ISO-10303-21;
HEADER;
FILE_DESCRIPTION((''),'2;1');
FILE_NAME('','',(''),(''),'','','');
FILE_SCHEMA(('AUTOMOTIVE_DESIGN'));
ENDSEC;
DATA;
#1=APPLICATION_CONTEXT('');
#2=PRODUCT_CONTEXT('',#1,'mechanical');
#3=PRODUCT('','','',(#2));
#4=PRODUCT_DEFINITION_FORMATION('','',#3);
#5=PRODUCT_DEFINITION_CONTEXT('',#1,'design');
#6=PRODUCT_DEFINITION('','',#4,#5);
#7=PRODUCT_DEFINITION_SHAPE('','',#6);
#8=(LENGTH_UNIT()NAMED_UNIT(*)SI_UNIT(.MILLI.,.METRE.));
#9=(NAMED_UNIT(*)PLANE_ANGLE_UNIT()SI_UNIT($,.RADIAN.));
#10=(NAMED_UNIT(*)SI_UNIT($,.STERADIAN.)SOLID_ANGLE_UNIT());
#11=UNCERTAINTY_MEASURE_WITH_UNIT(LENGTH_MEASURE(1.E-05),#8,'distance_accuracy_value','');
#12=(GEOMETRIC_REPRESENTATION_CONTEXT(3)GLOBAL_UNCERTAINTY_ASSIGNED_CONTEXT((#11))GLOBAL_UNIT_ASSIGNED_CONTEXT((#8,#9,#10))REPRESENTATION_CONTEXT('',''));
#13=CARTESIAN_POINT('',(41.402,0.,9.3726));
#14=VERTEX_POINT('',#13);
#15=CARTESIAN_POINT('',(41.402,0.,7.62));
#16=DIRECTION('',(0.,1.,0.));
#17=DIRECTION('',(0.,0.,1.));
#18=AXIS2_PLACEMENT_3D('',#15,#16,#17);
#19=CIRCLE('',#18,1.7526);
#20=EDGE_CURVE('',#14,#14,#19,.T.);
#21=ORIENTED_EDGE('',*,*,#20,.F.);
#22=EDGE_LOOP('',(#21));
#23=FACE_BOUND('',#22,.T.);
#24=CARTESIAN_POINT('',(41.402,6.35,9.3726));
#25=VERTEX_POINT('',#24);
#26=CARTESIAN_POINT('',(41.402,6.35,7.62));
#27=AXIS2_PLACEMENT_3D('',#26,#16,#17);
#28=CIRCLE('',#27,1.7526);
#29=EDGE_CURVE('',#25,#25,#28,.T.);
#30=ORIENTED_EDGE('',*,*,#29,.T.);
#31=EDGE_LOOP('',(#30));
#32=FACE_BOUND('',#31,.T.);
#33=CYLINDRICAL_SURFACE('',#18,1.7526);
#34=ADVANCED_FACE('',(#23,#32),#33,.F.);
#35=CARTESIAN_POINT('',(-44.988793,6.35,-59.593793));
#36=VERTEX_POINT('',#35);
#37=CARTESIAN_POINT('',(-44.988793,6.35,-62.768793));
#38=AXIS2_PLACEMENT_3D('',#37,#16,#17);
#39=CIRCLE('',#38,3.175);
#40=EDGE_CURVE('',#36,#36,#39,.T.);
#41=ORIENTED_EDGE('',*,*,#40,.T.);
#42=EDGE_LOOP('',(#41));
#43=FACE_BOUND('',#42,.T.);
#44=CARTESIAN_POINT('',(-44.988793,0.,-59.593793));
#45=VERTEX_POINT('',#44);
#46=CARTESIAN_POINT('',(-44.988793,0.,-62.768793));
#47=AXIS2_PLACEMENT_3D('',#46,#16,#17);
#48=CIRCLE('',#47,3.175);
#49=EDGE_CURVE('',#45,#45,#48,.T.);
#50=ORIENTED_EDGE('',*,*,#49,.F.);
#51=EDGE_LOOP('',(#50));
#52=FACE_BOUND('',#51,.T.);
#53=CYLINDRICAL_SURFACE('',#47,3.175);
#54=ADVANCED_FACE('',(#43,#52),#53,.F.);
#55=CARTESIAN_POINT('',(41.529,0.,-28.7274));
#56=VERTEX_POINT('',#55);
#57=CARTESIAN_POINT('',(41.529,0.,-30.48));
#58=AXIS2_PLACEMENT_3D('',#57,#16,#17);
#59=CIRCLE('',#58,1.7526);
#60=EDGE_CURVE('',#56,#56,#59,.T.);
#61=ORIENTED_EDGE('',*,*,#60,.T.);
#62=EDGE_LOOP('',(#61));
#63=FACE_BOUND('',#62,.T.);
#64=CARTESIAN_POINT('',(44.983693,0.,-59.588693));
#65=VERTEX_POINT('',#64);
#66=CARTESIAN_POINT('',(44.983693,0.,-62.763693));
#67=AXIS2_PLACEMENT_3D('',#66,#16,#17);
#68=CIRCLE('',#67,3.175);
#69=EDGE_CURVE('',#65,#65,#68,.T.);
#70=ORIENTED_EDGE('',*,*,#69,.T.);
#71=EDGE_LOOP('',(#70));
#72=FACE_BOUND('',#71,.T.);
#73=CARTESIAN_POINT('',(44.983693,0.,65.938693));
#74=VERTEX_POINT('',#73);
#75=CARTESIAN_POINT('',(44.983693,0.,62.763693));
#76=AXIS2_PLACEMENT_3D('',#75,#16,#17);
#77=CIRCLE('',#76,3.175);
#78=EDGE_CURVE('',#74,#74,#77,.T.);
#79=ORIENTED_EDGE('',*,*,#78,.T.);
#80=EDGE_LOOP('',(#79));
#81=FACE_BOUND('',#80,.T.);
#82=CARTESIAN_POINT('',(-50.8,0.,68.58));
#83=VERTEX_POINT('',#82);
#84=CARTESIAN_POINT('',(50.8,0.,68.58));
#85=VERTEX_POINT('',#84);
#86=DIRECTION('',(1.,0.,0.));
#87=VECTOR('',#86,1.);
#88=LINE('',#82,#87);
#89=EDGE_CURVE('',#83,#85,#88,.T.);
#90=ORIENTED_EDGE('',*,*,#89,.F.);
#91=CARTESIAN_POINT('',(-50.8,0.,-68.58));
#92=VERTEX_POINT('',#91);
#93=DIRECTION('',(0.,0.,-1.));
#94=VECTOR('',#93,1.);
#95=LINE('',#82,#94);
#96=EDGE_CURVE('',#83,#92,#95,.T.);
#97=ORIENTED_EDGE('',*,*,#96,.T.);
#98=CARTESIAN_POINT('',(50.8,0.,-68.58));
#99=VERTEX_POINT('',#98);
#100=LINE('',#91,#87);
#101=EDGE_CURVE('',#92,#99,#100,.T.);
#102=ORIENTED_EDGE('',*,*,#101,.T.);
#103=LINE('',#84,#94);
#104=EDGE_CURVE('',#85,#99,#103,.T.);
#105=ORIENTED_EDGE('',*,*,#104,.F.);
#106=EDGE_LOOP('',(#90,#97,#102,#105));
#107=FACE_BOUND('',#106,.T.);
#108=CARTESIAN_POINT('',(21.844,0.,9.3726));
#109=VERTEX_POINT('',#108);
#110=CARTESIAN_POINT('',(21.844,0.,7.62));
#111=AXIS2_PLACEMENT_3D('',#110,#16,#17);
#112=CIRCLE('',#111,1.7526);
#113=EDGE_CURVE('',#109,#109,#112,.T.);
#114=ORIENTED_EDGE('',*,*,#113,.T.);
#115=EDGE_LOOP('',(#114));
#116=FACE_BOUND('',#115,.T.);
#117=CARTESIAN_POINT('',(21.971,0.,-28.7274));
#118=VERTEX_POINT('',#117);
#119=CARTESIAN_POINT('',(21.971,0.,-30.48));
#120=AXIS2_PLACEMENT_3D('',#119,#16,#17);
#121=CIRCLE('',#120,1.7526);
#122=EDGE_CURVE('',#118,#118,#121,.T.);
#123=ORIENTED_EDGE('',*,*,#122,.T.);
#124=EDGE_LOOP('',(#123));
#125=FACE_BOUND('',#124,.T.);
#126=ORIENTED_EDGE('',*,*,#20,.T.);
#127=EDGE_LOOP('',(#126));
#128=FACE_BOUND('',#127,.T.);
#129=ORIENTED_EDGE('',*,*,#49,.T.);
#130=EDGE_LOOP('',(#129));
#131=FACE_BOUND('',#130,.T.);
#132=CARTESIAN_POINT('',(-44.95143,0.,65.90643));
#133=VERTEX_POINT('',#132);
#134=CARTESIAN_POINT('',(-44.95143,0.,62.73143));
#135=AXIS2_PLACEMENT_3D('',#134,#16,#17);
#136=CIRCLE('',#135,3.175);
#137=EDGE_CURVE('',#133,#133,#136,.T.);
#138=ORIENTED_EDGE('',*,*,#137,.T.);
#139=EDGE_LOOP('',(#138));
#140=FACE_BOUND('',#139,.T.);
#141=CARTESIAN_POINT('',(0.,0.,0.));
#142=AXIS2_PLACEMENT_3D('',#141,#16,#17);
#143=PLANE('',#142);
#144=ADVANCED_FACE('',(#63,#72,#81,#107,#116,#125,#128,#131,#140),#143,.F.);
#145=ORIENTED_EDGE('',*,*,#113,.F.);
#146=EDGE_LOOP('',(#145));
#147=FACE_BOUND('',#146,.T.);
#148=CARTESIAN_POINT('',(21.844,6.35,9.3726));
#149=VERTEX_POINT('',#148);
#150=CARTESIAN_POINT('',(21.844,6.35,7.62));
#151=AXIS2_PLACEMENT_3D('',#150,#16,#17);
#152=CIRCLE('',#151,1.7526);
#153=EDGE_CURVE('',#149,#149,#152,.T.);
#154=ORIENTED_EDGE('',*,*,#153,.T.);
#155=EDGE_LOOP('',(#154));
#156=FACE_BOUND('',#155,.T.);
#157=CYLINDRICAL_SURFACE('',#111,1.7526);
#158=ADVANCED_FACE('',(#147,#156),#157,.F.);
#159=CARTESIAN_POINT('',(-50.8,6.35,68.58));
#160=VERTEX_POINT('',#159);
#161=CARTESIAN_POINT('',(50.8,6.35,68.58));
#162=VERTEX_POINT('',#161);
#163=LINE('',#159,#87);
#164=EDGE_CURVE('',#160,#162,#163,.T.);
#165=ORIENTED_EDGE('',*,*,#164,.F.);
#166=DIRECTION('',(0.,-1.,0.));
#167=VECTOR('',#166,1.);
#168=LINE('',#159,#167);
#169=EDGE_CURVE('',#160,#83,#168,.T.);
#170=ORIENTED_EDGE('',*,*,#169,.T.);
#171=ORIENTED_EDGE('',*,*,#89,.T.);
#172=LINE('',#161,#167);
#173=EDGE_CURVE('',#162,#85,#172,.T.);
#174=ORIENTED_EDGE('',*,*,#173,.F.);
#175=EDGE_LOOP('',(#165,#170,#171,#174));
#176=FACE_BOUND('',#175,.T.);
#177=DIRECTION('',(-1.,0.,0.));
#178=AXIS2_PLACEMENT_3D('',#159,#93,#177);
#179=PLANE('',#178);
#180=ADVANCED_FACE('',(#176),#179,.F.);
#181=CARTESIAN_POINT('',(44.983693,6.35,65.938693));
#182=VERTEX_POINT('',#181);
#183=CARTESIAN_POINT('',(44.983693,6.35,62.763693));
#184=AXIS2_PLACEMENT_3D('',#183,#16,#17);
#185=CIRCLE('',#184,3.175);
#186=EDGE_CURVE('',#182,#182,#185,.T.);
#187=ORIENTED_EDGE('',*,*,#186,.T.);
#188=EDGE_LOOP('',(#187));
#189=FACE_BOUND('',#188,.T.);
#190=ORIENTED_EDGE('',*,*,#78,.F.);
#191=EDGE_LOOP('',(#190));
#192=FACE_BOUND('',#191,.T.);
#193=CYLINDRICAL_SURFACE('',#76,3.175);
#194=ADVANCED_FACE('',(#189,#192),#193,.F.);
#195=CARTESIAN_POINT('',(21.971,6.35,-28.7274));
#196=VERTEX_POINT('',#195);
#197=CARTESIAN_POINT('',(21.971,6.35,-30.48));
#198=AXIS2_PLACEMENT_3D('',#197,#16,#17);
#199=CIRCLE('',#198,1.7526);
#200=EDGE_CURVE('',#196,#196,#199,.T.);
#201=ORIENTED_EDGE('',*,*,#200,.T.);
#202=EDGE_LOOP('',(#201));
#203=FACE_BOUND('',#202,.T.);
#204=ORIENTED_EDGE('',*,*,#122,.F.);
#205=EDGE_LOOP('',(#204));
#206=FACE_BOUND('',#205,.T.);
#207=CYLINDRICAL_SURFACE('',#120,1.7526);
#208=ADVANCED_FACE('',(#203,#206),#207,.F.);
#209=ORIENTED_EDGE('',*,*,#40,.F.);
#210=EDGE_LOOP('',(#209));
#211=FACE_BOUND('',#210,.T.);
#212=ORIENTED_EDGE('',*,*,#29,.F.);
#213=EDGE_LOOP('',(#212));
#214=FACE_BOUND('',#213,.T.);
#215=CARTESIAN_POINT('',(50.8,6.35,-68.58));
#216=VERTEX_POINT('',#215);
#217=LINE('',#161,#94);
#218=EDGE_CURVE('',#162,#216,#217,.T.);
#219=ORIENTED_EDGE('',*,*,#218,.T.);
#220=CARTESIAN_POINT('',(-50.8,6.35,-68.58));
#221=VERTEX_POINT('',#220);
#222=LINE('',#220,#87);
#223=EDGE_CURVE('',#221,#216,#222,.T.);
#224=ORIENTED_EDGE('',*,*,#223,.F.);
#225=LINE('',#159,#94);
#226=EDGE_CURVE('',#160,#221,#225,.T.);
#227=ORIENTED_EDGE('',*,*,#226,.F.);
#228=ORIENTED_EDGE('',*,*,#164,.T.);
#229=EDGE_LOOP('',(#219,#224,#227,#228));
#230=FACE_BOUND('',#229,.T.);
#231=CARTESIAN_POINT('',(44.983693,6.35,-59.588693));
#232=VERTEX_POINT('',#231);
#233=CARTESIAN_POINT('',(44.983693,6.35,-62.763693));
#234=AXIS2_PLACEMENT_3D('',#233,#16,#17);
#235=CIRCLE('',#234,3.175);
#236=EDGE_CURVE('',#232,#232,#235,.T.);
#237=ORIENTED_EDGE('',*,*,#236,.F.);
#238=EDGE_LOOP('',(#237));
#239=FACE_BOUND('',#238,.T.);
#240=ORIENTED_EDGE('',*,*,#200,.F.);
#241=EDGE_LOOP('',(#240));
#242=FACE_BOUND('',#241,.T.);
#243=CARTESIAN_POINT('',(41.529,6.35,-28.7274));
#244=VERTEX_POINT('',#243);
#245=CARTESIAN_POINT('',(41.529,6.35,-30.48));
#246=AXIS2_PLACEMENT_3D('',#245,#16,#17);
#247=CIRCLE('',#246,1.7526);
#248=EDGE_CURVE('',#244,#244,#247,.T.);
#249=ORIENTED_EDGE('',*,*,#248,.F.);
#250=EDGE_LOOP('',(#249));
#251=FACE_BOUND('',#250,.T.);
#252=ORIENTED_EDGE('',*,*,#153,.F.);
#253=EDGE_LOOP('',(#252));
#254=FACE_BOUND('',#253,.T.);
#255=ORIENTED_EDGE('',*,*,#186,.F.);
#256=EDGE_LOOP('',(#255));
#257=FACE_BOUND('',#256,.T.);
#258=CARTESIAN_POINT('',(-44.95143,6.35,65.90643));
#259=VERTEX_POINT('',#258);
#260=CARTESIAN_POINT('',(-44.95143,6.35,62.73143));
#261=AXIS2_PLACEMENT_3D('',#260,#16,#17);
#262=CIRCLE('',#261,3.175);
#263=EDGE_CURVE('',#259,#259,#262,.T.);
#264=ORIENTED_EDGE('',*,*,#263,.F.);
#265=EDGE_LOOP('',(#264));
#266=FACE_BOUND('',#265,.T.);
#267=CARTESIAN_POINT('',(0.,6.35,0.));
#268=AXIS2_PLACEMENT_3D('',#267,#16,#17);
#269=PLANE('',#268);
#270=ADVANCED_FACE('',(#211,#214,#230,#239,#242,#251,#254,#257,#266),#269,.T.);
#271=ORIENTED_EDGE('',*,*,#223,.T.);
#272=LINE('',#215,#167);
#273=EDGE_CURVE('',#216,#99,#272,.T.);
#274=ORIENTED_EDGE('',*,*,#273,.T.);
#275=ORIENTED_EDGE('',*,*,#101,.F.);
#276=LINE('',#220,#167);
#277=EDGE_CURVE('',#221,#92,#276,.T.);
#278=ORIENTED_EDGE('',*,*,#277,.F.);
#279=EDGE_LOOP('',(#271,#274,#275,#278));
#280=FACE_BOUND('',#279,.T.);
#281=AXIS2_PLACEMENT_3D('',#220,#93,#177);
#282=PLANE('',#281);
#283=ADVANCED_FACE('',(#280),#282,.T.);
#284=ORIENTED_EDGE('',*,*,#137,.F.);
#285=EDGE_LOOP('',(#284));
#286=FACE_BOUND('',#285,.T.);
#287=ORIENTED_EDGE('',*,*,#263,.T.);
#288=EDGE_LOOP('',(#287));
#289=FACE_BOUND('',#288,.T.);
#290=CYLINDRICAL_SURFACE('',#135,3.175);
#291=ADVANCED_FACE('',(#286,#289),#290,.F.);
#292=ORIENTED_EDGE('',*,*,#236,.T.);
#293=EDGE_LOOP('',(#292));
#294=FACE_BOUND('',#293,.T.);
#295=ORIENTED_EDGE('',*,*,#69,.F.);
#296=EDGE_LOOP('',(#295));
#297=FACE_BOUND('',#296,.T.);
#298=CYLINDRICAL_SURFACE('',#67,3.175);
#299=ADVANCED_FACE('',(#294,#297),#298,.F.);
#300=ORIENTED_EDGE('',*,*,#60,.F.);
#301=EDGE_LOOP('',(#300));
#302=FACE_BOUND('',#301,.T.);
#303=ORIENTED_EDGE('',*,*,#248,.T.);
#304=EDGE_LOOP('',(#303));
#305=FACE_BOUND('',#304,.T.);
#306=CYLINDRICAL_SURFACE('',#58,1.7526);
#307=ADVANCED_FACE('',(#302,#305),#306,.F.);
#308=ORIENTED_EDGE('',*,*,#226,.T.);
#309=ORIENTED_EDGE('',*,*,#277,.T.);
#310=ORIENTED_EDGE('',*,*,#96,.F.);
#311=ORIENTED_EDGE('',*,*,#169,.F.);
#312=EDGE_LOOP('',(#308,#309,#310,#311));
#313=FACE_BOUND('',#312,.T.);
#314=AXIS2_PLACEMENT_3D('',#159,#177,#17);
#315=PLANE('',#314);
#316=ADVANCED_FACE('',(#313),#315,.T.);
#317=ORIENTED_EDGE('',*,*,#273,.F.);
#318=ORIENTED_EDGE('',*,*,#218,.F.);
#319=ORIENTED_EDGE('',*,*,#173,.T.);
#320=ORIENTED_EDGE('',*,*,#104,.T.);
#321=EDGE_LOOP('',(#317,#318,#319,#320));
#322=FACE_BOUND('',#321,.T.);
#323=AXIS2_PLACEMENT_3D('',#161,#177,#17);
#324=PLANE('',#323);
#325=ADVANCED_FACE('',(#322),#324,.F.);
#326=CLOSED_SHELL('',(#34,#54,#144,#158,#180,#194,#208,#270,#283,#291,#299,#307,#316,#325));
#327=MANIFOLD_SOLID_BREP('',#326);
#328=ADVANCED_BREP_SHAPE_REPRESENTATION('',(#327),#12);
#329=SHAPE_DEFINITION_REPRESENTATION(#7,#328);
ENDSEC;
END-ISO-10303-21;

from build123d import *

# Parameters (mm, degrees)
SKETCH1_W           = 101.6
SKETCH1_H           = 137.16
BOSS_EXTRUDE2_DEPTH = 6.35
SKETCH2_R           = 3.175
CUT_EXTRUDE1_DEPTH  = 6.35
SKETCH3_R           = 1.7526
CUT_EXTRUDE2_DEPTH  = 6.35


with BuildPart() as part:
    # Sketch1 → Boss-Extrude2 (new body)
    with BuildSketch(Plane(origin=(0, 0, 0), x_dir=(1, 0, 0), z_dir=(0, 1, 0))):
        Rectangle(SKETCH1_W, SKETCH1_H)
    extrude(amount=BOSS_EXTRUDE2_DEPTH)

    # Sketch2 → Cut-Extrude1 (cut)
    with BuildSketch(Plane(origin=(0, 6.35, 0), x_dir=(1, 0, 0), z_dir=(0, 1, 0))):
        with Locations(Location((-44.988792978, 62.768792978, 0), (0, 0, 270))):
            Circle(SKETCH2_R)
        with Locations(Location((44.98369299, 62.76369299, 0), (0, 0, 270))):
            Circle(SKETCH2_R)
        with Locations(Location((-44.951429569, -62.731429569, 0), (0, 0, 270))):
            Circle(SKETCH2_R)
        with Locations(Location((44.98369299, -62.76369299, 0), (0, 0, 270))):
            Circle(SKETCH2_R)
    extrude(amount=-CUT_EXTRUDE1_DEPTH, mode=Mode.SUBTRACT)

    # Sketch3 → Cut-Extrude2 (cut)
    with BuildSketch(Plane(origin=(0, 6.35, 0), x_dir=(1, 0, 0), z_dir=(0, 1, 0))):
        with Locations(Location((21.971, 30.48, 0), (0, 0, 270))):
            Circle(SKETCH3_R)
        with Locations(Location((41.529, 30.48, 0), (0, 0, 270))):
            Circle(SKETCH3_R)
        with Locations(Location((21.844, -7.62, 0), (0, 0, 270))):
            Circle(SKETCH3_R)
        with Locations(Location((41.402, -7.62, 0), (0, 0, 270))):
            Circle(SKETCH3_R)
    extrude(amount=-CUT_EXTRUDE2_DEPTH, mode=Mode.SUBTRACT)


solid = part.part
